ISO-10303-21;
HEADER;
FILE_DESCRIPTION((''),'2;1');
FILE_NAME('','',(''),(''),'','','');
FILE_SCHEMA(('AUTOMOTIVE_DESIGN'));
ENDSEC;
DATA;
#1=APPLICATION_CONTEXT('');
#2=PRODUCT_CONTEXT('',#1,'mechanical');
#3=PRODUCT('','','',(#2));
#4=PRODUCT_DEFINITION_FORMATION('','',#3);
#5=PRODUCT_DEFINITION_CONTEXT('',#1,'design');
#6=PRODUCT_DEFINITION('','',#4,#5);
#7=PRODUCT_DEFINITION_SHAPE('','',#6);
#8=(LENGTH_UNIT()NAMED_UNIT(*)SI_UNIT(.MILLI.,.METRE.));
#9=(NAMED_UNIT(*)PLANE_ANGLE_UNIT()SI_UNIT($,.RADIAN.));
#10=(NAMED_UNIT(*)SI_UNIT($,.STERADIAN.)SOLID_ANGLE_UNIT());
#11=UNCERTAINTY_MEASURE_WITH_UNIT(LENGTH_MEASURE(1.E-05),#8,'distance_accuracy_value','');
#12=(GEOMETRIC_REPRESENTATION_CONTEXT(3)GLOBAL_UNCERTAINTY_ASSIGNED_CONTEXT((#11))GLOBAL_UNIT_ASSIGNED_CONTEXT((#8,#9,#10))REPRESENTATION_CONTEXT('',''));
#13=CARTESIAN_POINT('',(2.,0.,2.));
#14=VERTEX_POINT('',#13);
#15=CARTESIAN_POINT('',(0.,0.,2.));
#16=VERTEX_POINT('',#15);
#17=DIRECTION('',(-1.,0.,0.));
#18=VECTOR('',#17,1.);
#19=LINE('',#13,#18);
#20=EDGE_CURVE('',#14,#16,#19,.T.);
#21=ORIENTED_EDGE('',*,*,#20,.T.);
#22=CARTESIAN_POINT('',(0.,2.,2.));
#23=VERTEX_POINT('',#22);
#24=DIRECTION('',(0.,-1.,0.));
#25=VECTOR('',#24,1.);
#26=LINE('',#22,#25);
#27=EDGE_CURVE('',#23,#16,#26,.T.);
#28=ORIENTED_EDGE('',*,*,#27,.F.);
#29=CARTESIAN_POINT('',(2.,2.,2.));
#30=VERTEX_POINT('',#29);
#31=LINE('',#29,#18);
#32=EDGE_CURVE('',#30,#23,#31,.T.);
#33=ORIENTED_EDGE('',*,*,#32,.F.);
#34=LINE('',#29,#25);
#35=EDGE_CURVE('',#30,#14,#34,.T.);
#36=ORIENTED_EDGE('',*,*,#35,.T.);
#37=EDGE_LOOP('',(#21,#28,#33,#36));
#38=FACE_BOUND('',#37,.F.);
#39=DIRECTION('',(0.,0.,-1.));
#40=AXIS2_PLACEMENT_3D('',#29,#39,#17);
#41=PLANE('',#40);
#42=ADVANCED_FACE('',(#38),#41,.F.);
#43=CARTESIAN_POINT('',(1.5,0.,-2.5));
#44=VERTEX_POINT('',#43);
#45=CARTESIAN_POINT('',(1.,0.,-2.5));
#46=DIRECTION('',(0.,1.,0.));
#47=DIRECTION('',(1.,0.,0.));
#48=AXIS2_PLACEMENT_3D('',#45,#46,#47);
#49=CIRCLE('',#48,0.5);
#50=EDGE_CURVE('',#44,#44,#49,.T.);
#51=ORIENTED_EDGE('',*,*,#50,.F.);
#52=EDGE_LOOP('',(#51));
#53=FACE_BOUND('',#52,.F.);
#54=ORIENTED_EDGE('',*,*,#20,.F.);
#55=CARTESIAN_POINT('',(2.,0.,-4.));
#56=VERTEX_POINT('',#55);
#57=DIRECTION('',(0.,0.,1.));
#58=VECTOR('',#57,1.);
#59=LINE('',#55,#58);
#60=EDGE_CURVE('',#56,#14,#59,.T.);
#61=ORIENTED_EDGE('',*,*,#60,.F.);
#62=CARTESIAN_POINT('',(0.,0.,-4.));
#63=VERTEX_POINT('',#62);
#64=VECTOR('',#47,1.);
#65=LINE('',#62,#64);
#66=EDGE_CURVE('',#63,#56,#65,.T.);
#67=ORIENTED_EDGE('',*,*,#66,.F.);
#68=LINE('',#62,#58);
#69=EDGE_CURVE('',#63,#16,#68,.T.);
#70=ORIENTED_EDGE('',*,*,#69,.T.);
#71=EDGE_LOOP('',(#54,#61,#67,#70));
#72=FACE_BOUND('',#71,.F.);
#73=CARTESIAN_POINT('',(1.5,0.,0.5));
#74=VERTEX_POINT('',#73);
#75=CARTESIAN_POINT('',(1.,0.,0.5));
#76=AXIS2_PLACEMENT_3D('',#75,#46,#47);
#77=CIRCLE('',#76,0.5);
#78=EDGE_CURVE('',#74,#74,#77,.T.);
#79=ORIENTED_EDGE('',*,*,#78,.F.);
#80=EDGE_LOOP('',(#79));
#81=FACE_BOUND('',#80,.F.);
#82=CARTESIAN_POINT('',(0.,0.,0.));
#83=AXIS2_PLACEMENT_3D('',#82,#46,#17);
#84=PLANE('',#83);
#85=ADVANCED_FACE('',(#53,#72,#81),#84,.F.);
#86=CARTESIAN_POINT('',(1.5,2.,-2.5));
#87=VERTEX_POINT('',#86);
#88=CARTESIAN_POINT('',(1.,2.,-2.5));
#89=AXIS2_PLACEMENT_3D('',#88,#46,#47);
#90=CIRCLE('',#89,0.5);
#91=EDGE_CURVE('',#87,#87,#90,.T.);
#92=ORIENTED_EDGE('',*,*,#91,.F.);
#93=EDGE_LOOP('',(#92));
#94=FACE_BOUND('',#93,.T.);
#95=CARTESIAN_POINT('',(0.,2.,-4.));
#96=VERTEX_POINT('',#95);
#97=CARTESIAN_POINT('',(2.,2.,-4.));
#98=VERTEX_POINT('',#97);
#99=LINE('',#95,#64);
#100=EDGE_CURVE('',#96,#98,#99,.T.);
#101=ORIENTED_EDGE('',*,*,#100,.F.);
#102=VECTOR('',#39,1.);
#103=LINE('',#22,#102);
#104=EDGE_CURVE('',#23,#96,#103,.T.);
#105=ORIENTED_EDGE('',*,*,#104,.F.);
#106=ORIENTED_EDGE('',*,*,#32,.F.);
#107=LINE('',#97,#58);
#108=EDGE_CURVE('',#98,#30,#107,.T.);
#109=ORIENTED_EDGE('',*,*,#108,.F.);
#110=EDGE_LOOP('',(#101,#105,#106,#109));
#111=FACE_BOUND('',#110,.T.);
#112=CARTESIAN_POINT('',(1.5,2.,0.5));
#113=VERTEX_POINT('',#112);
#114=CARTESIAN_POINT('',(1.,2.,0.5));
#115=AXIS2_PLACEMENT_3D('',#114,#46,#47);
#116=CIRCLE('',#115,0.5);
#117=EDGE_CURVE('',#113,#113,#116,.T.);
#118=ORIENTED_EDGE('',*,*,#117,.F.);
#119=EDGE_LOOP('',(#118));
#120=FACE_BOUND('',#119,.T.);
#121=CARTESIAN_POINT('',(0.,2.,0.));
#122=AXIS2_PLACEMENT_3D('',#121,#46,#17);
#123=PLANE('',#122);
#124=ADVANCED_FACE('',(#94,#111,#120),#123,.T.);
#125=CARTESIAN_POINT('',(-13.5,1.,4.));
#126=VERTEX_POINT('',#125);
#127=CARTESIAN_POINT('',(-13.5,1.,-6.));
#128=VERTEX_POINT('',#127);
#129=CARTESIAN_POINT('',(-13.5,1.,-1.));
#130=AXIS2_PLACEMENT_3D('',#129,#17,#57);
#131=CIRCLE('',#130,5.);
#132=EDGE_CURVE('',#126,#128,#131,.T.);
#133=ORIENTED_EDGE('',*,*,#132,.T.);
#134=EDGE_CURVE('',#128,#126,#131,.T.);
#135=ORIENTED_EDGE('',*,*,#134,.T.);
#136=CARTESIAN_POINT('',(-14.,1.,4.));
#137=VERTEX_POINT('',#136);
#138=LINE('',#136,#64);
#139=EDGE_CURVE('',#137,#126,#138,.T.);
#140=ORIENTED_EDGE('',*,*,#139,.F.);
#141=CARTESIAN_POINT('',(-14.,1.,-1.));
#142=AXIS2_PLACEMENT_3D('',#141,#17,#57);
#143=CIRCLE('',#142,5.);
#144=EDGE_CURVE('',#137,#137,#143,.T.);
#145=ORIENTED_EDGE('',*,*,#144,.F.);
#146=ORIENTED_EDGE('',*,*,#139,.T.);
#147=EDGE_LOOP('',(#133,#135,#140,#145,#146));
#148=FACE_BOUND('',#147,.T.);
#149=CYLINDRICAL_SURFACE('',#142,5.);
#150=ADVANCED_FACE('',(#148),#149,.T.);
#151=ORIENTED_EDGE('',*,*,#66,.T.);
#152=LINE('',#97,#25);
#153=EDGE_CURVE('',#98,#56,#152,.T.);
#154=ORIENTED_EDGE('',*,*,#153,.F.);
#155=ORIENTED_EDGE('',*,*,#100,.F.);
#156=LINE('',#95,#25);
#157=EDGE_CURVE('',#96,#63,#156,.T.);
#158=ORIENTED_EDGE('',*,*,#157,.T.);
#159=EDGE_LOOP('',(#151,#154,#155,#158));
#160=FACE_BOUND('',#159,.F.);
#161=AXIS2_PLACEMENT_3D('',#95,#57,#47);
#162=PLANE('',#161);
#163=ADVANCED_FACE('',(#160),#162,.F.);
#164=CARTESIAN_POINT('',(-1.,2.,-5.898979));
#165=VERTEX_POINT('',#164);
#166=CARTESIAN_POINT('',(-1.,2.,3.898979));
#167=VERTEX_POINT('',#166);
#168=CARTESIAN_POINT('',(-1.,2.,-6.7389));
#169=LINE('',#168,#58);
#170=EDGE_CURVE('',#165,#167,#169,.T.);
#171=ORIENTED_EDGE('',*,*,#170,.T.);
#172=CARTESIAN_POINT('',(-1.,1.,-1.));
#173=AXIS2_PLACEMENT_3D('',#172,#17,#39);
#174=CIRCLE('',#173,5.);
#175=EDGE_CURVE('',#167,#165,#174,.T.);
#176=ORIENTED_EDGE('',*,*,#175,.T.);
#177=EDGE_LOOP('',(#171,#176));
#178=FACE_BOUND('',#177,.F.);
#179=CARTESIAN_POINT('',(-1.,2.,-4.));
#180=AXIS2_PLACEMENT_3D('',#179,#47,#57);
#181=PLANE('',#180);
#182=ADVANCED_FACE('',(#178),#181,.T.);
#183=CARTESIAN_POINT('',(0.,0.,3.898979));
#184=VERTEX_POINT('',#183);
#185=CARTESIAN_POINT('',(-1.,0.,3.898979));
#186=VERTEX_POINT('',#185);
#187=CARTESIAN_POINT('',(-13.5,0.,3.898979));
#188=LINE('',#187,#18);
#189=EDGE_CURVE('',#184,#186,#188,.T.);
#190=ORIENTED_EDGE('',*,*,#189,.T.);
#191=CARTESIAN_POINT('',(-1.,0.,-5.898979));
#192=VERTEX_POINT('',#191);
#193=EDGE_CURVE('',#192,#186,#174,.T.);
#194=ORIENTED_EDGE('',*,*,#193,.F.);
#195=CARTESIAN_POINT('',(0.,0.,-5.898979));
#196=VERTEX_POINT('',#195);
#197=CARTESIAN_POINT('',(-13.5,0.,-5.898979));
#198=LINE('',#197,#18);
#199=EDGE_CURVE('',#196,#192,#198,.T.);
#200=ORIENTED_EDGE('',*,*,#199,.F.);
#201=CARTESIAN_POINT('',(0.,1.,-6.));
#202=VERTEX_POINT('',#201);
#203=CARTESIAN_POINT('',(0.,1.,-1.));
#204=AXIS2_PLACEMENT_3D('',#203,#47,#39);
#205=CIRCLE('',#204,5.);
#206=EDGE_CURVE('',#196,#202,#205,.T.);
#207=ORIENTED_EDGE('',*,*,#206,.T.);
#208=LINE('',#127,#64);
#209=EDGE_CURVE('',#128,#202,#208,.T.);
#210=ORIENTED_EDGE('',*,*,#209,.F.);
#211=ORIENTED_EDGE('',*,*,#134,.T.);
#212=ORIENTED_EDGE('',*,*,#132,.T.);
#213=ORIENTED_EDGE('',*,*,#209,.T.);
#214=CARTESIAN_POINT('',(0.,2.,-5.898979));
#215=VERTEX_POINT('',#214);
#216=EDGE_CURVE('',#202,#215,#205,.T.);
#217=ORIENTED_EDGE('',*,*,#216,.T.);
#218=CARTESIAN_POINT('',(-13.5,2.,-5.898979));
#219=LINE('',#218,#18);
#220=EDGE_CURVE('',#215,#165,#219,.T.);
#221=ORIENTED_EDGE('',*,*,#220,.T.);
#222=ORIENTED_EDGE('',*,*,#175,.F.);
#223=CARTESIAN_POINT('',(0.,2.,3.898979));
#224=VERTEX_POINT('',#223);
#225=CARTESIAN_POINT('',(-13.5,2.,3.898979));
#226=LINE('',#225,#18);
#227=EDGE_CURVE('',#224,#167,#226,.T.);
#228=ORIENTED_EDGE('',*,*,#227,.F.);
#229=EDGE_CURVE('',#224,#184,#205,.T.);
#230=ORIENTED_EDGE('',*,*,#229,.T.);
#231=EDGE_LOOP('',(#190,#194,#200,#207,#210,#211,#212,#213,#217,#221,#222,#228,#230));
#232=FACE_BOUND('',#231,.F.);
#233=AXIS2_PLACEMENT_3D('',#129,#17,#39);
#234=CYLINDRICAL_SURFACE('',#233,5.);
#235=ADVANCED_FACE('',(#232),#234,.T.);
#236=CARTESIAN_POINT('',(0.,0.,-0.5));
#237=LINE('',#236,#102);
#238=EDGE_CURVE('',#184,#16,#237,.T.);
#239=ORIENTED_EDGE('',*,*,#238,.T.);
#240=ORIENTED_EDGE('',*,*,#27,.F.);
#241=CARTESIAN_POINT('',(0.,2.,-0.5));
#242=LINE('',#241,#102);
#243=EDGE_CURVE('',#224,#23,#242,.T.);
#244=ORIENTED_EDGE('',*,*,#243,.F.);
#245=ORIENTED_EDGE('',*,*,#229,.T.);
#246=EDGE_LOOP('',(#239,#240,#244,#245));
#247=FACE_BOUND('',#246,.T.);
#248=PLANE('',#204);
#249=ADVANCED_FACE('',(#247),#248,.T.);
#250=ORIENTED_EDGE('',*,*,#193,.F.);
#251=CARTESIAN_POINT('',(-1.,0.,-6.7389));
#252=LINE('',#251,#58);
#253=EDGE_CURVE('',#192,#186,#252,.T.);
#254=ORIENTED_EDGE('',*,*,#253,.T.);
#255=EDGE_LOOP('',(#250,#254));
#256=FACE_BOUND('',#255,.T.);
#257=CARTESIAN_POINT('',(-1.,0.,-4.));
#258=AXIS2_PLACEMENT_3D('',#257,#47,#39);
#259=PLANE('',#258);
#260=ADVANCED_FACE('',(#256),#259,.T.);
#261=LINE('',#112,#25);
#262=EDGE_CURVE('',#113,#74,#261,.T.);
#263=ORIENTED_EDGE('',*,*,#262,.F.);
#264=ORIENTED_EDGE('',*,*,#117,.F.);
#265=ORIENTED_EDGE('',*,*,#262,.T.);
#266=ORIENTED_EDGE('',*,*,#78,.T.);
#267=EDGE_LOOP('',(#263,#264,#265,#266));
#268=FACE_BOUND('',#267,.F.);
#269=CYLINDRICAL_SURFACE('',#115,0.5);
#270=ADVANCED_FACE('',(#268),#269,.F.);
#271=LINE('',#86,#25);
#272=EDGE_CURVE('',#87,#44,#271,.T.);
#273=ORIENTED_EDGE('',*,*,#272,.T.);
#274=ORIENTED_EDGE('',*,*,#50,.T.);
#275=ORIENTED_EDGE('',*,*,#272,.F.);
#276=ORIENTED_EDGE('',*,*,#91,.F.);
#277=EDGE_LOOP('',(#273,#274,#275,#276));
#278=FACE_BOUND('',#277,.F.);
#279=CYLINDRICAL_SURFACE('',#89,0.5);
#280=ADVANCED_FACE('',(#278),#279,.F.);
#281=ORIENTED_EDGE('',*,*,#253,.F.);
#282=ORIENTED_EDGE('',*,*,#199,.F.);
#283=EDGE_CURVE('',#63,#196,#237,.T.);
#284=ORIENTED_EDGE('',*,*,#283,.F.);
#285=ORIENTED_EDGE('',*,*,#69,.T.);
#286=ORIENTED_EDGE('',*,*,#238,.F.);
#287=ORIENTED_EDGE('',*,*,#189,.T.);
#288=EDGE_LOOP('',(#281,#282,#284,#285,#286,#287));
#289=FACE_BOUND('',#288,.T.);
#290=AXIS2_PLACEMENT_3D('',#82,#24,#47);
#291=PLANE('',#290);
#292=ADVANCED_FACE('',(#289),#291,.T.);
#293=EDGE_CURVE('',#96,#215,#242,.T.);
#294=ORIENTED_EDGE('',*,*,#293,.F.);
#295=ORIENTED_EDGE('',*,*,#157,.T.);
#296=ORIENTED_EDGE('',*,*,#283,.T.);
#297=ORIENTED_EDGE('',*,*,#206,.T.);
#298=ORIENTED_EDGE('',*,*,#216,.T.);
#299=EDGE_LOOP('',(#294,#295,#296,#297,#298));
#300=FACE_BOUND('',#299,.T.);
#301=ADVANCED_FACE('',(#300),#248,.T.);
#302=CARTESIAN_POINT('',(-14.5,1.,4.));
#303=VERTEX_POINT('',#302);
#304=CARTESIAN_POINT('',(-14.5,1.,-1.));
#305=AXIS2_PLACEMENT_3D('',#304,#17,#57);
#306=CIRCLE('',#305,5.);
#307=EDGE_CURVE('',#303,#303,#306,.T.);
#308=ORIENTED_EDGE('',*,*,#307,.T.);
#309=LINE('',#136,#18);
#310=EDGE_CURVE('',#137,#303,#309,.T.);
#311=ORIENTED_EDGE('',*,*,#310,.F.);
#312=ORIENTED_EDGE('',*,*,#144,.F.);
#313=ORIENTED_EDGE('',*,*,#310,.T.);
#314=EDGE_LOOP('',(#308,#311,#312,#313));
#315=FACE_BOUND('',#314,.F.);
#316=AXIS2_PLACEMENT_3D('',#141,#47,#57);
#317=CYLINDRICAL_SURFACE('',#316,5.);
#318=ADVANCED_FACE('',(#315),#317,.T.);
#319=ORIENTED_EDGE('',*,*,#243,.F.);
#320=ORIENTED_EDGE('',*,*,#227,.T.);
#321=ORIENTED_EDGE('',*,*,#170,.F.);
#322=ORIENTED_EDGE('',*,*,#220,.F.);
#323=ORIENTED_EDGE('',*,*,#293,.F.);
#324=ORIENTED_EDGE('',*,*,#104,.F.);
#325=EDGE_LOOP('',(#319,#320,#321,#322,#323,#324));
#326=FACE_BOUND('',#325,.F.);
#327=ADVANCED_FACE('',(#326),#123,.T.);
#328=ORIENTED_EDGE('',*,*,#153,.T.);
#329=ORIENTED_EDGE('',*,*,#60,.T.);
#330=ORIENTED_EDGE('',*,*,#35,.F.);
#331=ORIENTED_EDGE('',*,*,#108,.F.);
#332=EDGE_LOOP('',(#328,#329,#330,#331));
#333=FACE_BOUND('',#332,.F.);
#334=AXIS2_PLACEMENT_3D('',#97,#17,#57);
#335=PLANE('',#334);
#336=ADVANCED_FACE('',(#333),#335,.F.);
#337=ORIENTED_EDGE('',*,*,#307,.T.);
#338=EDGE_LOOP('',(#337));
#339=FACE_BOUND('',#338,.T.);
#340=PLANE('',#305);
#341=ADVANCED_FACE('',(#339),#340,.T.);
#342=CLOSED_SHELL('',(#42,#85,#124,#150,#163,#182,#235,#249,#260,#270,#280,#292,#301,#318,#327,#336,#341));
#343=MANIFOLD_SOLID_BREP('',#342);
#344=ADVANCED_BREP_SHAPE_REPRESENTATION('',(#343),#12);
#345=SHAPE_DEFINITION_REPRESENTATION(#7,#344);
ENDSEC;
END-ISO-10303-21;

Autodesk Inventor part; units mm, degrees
ref_plane "YZ Plane" through (0, 0, 0) normal (1, 0, 0) x (0, 1, 0)
ref_plane "XZ Plane" through (0, 0, 0) normal (0, 1, 0) x (-1, 0, 0)
sketch "Sketch1" plane through (0, 0, 0) normal (0, 1, 0) x (-1, 0, 0)
  line L0 (0, 0) -> (20, 0)
  line L1 (20, 0) -> (20, -2)
  line L2 (20, -2) -> (0, -2)
  line L3 (0, -2) -> (0, 0)
  dimension "d0" = 20
  dimension "d1" = 2
extrude "Extrusion1" add sketch "Sketch1" along normal blind 2
sketch "Sketch2" plane through (0, 2, 0) normal (0, 1, 0) x (1, 0, 0)
  line L0 (0, 2) -> (-20, 2) projected
  line L1 (0, 2) -> (0, 4)
  line L2 (0, 4) -> (2, 4)
  line L3 (2, 4) -> (2, -2)
  line L4 (2, -2) -> (0, -2)
  line L5 (0, 0) -> (0, 2) projected
  line L6 (0, -2) -> (0, 0)
  dimension "d4" = 2
  dimension "d5" = 2
  dimension "d6" = 6
extrude "Extrusion2" add sketch "Sketch2" against normal blind 2
sketch "Sketch3" plane through (0, 2, 0) normal (0, 1, 0) x (1, 0, 0)
  line L0 (0, 0) -> (0, -2) projected
  line L1 (0, -2) -> (0, -1)
  line L2 (2, 4) -> (2, -2) projected
  line L3 (2, -2) -> (2, -0.5)
  line L4 (2, -0.5) -> (1, -0.5)
  circle A0 centre (1, -0.5) radius 0.5
  line L5 (2, 1) -> (1.5, 1)
  circle A1 centre (1, 2.5) radius 0.5
  dimension "d9" = 1.5
  dimension "d10" = 1
  dimension "d11" = 1
extrude "Extrusion3" cut sketch "Sketch3" against normal blind 2
sketch "Sketch4" plane through (0, 2, -4) normal (-1, 0, 0) x (0, 0, 1)
  line L0 (2, 0) -> (4, 0) projected
  line L1 (3, 0) -> (3, -2)
  line L2 (2, -2) -> (4, -2) projected
  circle A0 centre (3, -1) radius 1
  line L3 (2, -2) -> (2, 0) projected
  circle A1 centre (3, -1) radius 1.4142
extrude "Extrusion4" cut sketch "Sketch4" along normal blind 100 contours L0 A0 L3 | L3 A1 | L0 A1 L2 A0 | A0 L2 L3
ref_plane "Work Plane1" through (-14, 1, -1) normal (-1, 0, 0) x (0, 0, 1)
sketch "Sketch5" plane through (-14, 1, -1) normal (-1, 0, 0) x (0, 0, 1)
  circle A0 centre (0, 0) radius 5
  point P0 (1, -1)
  dimension "d17" = 10
extrude "Extrusion5" add sketch "Sketch5" along normal mid plane 1
sketch "Sketch6" plane through (-20, 1, -1) normal (-1, 0, 0) x (0, 0, 1)
  circle A0 centre (0, 0) radius 5
  point P0 (1, -1)
extrude "Extrusion6" cut sketch "Sketch6" against normal blind 5.5
sketch "Sketch7" plane through (-13.5, 1, -1) normal (1, 0, 0) x (0, 0, -1)
  circle A0 centre (0, 0) radius 5 projected
  circle A1 centre (0, 0) radius 5
  point P0 (-1, -1)
extrude "Extrusion7" add sketch "Sketch7" along normal blind 13.5
sketch "Sketch8" plane through (0, 0, 0) normal (0, -1, 0) x (1, 0, 0)
  line L0 (2, -4) -> (-1, -4)
  line L1 (-1, -4) -> (-1, -6.7389)
  line L2 (-1, -6.7389) -> (2, -6.7389)
  line L3 (2, -6.7389) -> (2, -4)
  line L4 (2, -4) -> (2, 2) projected
  line L5 (2, 2) -> (-1, 2)
  line L6 (-1, 2) -> (-1, 5.2785)
  line L7 (-1, 5.2785) -> (2, 5.2785)
  line L8 (2, 5.2785) -> (2, 2)
  line L9 (2, 5.2785) -> (-1, 5.2785)
  line L10 (-1, 5.2785) -> (-1, -6.7389)
  line L11 (-1, -6.7389) -> (2, -6.7389)
  line L12 (2, -6.7389) -> (2, 5.2785)
  point P0 (0, 0)
  dimension "d24" = 3
  dimension "d25" = 3
extrude "Extrusion8" cut sketch "Sketch8" along normal blind 13.5
ref_plane "Work Plane2" through (0, 1, 0) normal (0, -1, 0) x (1, 0, 0)
mirror "Mirror1" about plane through (0, 1, 0) normal (0, -1, 0) of "Extrusion8"
properties part number "drive_shaft_v3"
